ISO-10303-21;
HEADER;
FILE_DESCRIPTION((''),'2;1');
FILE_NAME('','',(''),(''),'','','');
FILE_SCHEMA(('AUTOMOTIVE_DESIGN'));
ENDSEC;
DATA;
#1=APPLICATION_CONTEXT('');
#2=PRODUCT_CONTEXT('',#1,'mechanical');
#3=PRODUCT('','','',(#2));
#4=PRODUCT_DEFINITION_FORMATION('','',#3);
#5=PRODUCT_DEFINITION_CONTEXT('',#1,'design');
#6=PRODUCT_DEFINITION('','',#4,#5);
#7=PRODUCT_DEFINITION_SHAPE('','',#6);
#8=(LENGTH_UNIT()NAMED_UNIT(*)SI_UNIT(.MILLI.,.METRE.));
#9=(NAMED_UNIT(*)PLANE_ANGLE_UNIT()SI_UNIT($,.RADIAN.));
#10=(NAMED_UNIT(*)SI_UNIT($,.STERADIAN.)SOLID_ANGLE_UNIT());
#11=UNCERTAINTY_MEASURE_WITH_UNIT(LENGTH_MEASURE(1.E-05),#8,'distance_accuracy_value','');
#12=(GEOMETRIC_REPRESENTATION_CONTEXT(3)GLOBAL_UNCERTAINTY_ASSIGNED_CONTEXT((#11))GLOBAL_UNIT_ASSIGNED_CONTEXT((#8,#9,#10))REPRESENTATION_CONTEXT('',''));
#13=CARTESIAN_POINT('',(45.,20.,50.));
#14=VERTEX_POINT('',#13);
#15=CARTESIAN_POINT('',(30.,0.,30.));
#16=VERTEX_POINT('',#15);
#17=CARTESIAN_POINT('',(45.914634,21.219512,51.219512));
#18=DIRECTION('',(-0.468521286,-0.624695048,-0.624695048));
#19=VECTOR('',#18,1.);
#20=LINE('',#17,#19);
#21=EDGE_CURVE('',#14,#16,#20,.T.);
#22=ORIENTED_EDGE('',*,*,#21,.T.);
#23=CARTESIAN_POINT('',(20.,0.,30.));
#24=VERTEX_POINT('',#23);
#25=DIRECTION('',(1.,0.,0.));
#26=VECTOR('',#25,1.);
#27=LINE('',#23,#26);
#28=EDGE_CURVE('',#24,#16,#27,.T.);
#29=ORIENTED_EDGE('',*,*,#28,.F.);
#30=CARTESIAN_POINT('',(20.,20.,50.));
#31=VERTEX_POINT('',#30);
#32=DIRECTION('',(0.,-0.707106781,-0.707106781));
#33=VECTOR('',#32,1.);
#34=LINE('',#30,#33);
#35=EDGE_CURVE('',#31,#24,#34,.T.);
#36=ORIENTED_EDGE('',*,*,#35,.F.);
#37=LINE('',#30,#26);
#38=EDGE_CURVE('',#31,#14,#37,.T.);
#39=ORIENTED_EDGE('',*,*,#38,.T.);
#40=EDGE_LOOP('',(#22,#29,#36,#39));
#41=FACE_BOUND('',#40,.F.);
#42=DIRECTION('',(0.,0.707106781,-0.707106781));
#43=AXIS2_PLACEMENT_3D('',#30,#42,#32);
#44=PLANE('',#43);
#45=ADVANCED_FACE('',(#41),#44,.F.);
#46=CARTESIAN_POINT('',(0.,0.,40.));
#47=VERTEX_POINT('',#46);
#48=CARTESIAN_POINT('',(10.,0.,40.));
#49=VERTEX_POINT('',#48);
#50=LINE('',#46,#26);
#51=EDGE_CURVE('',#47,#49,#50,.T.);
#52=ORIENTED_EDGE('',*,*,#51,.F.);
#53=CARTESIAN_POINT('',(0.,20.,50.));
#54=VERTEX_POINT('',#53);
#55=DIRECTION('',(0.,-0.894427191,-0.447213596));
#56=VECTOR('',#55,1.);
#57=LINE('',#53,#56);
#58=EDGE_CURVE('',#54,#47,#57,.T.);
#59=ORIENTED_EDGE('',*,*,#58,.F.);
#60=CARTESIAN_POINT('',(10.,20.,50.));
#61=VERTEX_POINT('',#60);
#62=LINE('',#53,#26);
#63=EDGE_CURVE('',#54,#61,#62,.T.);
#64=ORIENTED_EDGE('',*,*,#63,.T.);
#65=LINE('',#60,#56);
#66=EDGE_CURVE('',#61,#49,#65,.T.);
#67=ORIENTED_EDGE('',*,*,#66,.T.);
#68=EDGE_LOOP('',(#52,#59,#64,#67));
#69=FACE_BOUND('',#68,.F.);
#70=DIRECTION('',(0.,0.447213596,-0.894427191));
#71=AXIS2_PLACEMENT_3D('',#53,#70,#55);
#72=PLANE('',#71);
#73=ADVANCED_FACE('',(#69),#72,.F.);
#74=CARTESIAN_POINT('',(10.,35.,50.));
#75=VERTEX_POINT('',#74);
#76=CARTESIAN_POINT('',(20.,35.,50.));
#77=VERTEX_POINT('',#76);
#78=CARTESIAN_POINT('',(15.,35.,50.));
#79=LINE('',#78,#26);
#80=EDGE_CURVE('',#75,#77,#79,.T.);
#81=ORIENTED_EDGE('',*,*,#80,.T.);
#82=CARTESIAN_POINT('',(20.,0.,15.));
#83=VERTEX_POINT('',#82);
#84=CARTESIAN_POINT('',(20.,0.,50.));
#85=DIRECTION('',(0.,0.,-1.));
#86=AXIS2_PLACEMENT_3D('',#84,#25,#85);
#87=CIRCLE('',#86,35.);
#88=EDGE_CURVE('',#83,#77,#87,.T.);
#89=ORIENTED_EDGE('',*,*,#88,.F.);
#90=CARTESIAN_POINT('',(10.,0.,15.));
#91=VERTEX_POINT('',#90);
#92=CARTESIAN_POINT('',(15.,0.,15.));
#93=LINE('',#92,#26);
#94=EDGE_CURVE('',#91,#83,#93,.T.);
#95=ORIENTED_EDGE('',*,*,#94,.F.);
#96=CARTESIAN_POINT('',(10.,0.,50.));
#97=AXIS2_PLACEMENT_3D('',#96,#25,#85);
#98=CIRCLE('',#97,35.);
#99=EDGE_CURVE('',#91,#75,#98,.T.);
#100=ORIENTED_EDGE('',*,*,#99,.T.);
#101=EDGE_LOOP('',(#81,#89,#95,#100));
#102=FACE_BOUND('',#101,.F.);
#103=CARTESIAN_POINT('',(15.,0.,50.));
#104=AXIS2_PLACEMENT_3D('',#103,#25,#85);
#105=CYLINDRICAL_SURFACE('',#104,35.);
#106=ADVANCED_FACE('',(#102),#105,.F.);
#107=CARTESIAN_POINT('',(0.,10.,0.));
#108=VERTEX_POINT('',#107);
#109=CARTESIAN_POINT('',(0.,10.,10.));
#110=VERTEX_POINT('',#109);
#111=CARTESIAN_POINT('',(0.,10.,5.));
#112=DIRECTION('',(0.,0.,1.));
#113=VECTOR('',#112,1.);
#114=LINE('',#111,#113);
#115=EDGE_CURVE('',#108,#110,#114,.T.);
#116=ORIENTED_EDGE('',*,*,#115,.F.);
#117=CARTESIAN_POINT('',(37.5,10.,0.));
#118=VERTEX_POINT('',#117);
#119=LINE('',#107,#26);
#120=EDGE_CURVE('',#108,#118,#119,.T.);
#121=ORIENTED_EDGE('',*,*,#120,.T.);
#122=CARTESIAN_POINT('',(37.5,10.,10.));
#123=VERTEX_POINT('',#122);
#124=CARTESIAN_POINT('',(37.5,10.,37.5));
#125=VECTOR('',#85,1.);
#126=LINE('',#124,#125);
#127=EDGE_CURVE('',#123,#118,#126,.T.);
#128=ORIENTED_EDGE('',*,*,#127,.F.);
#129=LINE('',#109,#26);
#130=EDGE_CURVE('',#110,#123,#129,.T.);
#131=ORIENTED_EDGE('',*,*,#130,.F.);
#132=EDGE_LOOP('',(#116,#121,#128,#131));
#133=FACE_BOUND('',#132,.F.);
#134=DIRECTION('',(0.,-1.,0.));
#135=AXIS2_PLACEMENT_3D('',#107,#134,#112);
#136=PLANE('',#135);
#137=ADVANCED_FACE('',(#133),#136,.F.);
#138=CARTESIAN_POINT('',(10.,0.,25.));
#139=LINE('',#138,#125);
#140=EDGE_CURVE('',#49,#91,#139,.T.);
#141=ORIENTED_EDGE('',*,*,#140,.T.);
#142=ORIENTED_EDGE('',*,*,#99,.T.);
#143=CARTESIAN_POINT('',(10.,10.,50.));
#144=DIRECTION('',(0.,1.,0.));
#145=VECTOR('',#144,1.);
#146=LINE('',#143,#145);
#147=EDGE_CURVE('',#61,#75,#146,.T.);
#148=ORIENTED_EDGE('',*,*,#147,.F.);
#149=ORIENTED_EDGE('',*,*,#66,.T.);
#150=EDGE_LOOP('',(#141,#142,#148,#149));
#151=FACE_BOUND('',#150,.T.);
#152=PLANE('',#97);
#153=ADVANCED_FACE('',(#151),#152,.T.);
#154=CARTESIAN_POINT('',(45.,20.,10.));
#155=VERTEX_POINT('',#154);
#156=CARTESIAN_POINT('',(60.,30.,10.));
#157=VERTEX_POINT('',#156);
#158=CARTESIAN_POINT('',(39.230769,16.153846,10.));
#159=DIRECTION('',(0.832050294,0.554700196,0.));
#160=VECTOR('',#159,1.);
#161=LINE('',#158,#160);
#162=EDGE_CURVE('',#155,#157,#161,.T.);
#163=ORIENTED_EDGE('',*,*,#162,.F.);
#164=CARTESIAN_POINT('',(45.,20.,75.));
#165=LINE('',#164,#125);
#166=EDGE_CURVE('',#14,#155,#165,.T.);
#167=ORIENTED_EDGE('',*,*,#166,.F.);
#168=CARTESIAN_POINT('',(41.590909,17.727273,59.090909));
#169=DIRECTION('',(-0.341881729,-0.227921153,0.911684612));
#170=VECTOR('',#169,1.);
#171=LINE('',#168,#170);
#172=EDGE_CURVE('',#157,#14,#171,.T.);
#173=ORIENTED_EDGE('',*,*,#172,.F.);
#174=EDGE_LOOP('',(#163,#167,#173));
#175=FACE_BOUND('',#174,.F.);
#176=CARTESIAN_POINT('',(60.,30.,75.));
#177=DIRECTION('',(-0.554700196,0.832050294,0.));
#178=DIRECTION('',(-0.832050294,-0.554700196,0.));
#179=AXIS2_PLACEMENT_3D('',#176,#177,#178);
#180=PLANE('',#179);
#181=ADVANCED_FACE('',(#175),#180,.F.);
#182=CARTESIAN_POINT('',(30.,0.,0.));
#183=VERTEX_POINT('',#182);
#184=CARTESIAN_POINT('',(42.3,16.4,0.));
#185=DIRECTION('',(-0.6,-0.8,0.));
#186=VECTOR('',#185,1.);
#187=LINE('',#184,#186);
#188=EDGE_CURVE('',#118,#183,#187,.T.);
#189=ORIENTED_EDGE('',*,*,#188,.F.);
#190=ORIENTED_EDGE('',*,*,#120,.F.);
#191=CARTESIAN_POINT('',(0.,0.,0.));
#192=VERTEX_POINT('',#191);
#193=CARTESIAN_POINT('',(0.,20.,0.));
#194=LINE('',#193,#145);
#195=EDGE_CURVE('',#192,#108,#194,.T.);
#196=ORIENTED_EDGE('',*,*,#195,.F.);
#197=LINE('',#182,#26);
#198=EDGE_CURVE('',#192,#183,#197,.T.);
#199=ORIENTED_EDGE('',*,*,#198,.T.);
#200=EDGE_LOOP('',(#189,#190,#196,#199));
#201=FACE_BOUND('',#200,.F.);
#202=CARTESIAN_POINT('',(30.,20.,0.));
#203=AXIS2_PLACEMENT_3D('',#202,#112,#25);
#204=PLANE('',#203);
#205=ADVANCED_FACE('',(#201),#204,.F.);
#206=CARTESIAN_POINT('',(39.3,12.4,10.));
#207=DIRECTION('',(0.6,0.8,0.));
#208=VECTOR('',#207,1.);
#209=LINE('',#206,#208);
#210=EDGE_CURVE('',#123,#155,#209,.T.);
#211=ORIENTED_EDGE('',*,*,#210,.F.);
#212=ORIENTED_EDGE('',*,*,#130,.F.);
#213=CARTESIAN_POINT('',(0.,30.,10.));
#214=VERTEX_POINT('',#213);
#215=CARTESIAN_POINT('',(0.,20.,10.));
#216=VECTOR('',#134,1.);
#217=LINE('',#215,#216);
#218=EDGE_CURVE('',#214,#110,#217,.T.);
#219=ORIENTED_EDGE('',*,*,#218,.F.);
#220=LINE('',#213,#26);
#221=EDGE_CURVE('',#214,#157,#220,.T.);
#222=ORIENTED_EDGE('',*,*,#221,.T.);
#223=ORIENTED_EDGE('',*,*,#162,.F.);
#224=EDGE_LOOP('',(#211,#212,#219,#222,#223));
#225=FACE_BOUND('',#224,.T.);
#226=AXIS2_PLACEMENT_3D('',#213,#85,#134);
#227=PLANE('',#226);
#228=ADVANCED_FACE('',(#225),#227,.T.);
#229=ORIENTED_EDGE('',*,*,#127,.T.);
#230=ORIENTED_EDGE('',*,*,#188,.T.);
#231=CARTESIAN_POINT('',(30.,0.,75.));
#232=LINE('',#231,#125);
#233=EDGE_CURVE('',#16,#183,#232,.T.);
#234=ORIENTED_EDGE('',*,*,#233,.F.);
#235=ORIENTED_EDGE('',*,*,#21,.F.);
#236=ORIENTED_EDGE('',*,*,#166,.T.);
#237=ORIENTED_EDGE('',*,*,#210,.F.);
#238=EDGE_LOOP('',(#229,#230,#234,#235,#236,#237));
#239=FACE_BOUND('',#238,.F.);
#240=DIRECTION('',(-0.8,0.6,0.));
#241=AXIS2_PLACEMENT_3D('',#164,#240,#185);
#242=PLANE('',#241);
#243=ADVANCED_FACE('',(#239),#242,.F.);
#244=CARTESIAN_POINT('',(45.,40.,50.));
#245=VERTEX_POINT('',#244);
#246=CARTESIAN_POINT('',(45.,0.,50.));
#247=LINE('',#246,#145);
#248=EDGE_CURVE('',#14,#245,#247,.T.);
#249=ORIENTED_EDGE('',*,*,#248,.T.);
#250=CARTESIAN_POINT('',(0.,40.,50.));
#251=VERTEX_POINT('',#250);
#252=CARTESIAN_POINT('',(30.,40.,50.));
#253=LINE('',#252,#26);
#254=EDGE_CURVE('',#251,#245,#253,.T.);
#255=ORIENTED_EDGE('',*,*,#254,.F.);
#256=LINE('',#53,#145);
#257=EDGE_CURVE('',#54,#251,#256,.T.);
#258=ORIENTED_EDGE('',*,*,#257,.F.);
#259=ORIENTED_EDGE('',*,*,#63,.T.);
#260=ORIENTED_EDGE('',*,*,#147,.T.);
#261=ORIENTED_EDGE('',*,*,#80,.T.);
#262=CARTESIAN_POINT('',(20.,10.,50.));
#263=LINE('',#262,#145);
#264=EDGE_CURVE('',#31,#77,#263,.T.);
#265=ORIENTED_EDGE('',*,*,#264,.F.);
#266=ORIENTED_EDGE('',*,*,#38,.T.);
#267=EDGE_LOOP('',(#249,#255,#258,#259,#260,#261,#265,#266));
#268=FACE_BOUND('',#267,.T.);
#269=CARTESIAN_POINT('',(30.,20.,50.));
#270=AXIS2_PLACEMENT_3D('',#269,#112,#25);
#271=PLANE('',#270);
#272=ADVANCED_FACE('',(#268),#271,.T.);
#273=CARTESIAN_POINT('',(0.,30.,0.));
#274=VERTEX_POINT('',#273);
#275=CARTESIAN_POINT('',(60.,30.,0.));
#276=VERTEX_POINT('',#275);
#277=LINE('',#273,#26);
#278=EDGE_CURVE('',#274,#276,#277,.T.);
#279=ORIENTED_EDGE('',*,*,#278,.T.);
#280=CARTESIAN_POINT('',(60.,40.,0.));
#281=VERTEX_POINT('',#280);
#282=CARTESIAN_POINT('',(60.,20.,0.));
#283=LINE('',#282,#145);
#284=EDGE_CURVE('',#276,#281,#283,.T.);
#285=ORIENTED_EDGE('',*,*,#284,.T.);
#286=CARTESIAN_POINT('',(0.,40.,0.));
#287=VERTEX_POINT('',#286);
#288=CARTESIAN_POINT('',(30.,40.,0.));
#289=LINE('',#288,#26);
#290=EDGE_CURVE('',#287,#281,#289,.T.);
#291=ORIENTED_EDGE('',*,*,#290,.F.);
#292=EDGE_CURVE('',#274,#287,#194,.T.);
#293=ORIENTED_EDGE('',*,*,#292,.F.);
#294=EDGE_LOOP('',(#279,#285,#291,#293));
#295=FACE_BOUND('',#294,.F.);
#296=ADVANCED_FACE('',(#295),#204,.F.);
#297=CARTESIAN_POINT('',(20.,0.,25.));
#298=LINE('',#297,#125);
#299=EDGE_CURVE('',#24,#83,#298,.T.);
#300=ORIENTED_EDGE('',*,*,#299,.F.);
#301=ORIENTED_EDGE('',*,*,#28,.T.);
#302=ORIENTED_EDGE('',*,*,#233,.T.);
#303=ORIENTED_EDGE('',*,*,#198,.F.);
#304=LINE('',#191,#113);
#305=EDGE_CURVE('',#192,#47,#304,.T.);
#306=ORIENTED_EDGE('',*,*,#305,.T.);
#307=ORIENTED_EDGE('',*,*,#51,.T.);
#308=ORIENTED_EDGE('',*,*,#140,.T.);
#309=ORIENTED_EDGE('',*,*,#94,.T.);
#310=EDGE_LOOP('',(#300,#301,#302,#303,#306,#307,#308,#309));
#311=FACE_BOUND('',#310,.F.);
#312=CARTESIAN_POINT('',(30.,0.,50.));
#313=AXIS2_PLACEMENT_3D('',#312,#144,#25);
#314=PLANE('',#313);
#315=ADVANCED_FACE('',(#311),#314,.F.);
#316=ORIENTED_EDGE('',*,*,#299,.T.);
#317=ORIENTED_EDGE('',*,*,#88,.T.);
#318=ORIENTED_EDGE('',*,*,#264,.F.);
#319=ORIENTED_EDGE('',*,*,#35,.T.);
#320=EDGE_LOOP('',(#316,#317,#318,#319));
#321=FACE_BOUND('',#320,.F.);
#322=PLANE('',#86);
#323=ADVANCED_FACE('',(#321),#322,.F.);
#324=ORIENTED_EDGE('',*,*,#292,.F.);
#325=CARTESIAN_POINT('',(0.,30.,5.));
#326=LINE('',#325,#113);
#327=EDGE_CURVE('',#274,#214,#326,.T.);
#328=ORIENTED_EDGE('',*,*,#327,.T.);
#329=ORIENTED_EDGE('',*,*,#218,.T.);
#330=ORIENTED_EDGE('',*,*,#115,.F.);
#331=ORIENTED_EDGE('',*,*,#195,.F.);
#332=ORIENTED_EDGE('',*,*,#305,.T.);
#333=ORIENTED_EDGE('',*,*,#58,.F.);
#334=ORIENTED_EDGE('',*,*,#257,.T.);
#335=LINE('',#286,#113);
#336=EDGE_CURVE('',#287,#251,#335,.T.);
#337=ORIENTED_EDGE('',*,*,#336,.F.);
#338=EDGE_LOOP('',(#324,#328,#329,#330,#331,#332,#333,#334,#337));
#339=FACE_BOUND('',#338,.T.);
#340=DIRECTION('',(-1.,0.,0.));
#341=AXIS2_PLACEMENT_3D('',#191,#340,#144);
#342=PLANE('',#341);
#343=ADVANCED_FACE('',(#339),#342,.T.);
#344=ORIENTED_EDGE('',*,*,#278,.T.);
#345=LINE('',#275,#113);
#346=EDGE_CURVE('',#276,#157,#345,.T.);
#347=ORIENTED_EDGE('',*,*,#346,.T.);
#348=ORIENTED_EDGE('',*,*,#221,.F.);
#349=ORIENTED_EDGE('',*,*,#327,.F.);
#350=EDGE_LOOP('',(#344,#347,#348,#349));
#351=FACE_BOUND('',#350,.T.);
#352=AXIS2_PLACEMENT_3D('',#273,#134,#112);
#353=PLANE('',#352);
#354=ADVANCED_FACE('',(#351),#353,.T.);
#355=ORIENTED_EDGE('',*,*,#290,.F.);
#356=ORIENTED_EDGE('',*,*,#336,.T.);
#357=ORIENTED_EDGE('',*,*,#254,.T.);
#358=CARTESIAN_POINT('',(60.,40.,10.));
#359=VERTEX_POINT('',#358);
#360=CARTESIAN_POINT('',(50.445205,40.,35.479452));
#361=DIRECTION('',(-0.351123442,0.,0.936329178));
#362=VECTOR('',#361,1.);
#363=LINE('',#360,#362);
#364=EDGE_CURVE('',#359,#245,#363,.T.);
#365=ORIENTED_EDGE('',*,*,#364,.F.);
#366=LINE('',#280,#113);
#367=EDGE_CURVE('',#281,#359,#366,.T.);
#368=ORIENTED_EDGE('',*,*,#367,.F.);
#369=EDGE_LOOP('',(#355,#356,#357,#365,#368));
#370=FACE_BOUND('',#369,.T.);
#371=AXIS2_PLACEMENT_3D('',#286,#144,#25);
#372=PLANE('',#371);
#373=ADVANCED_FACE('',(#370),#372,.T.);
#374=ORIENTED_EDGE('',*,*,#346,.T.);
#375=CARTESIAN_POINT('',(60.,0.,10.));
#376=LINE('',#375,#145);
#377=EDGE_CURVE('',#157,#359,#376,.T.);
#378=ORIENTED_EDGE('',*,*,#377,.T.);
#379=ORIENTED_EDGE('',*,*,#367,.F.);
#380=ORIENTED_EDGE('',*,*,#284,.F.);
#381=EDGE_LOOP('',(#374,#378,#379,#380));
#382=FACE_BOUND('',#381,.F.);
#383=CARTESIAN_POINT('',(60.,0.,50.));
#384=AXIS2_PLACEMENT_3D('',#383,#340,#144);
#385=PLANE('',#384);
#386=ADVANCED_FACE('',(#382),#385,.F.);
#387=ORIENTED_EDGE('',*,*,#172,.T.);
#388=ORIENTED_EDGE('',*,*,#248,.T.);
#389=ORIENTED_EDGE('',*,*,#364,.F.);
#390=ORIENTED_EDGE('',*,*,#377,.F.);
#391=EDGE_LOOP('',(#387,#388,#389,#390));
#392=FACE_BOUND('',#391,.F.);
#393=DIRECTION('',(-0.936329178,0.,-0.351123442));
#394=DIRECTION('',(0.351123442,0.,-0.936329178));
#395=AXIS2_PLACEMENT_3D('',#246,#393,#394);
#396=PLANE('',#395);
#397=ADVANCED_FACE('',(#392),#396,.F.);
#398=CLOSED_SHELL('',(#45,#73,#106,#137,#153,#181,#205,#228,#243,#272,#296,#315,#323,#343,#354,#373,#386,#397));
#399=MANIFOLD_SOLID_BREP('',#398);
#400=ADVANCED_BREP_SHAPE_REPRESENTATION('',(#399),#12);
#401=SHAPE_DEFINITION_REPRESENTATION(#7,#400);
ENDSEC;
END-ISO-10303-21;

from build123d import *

# Parameters (mm, degrees)
F0_W      = 60
F0_H      = 40
F1_DEPTH  = 50
F2_W      = 10
F2_H      = 35
F5_DEPTH  = 10
F6_W      = 20
F6_H      = 10
F7_DEPTH  = 60.001
F9_DEPTH  = 25
F10_DEPTH = 75.001
F12_DEPTH = 40.001
F14_DEPTH = 25.001


with BuildPart() as f1:
    # F0 (on Top) → F1 (new body)
    with BuildSketch(Plane.XY):
        with Locations((30, 20)):
            Rectangle(F0_W, F0_H)
    extrude(amount=F1_DEPTH)

    # F2 (on face) → F3 (revolve, cut)
    with BuildSketch(Plane.XZ):
        with Locations((15, 32.5)):
            Rectangle(F2_W, F2_H)
    revolve(axis=Axis((15, 0, 50), (1, 0, 0)), mode=Mode.SUBTRACT)

    # F4 (on face) → F5 (cut, through all)
    with BuildSketch(Plane(origin=(0, 0, 0), x_dir=(0, -1, 0), z_dir=(-1, 0, 0))):
        Polygon((0, 50), (-20, 50), (0, 40), align=None)
    extrude(amount=-F5_DEPTH, mode=Mode.SUBTRACT)

    # F6 (on face) → F7 (cut, through all)
    with BuildSketch(Plane(origin=(0, 0, 0), x_dir=(0, -1, 0), z_dir=(-1, 0, 0))):
        with Locations((-20, 5)):
            Rectangle(F6_W, F6_H)
    extrude(amount=-F7_DEPTH, mode=Mode.SUBTRACT)

    # F8 (on face) → F9 (join)
    with BuildSketch(Plane.XY.offset(50)):
        Polygon((45, 20), (30, 0), (60, 0), (60, 30), align=None)
    extrude(amount=F9_DEPTH)

    # F10 (cut, through all): a face of the model
    f10_faces = [f1.faces().sort_by_distance(p)[0] for p in [
        (49.2857142857, 10.9523809524, 75),
    ]]
    extrude(f10_faces, amount=-F10_DEPTH, mode=Mode.SUBTRACT)

    # F11 (on Front) → F12 (cut, through all)
    with BuildSketch(Plane.XZ):
        Polygon((60, 50), (45, 50), (60, 10), align=None)
    extrude(amount=-F12_DEPTH, mode=Mode.SUBTRACT)

    # F13 (on face) → F14 (cut, through all)
    with BuildSketch(Plane(origin=(20, 0, 0), x_dir=(0, -1, 0), z_dir=(-1, 0, 0))):
        Polygon((0, 30), (0, 50), (-20, 50), align=None)
    extrude(amount=-F14_DEPTH, mode=Mode.SUBTRACT)


solid = f1.part
